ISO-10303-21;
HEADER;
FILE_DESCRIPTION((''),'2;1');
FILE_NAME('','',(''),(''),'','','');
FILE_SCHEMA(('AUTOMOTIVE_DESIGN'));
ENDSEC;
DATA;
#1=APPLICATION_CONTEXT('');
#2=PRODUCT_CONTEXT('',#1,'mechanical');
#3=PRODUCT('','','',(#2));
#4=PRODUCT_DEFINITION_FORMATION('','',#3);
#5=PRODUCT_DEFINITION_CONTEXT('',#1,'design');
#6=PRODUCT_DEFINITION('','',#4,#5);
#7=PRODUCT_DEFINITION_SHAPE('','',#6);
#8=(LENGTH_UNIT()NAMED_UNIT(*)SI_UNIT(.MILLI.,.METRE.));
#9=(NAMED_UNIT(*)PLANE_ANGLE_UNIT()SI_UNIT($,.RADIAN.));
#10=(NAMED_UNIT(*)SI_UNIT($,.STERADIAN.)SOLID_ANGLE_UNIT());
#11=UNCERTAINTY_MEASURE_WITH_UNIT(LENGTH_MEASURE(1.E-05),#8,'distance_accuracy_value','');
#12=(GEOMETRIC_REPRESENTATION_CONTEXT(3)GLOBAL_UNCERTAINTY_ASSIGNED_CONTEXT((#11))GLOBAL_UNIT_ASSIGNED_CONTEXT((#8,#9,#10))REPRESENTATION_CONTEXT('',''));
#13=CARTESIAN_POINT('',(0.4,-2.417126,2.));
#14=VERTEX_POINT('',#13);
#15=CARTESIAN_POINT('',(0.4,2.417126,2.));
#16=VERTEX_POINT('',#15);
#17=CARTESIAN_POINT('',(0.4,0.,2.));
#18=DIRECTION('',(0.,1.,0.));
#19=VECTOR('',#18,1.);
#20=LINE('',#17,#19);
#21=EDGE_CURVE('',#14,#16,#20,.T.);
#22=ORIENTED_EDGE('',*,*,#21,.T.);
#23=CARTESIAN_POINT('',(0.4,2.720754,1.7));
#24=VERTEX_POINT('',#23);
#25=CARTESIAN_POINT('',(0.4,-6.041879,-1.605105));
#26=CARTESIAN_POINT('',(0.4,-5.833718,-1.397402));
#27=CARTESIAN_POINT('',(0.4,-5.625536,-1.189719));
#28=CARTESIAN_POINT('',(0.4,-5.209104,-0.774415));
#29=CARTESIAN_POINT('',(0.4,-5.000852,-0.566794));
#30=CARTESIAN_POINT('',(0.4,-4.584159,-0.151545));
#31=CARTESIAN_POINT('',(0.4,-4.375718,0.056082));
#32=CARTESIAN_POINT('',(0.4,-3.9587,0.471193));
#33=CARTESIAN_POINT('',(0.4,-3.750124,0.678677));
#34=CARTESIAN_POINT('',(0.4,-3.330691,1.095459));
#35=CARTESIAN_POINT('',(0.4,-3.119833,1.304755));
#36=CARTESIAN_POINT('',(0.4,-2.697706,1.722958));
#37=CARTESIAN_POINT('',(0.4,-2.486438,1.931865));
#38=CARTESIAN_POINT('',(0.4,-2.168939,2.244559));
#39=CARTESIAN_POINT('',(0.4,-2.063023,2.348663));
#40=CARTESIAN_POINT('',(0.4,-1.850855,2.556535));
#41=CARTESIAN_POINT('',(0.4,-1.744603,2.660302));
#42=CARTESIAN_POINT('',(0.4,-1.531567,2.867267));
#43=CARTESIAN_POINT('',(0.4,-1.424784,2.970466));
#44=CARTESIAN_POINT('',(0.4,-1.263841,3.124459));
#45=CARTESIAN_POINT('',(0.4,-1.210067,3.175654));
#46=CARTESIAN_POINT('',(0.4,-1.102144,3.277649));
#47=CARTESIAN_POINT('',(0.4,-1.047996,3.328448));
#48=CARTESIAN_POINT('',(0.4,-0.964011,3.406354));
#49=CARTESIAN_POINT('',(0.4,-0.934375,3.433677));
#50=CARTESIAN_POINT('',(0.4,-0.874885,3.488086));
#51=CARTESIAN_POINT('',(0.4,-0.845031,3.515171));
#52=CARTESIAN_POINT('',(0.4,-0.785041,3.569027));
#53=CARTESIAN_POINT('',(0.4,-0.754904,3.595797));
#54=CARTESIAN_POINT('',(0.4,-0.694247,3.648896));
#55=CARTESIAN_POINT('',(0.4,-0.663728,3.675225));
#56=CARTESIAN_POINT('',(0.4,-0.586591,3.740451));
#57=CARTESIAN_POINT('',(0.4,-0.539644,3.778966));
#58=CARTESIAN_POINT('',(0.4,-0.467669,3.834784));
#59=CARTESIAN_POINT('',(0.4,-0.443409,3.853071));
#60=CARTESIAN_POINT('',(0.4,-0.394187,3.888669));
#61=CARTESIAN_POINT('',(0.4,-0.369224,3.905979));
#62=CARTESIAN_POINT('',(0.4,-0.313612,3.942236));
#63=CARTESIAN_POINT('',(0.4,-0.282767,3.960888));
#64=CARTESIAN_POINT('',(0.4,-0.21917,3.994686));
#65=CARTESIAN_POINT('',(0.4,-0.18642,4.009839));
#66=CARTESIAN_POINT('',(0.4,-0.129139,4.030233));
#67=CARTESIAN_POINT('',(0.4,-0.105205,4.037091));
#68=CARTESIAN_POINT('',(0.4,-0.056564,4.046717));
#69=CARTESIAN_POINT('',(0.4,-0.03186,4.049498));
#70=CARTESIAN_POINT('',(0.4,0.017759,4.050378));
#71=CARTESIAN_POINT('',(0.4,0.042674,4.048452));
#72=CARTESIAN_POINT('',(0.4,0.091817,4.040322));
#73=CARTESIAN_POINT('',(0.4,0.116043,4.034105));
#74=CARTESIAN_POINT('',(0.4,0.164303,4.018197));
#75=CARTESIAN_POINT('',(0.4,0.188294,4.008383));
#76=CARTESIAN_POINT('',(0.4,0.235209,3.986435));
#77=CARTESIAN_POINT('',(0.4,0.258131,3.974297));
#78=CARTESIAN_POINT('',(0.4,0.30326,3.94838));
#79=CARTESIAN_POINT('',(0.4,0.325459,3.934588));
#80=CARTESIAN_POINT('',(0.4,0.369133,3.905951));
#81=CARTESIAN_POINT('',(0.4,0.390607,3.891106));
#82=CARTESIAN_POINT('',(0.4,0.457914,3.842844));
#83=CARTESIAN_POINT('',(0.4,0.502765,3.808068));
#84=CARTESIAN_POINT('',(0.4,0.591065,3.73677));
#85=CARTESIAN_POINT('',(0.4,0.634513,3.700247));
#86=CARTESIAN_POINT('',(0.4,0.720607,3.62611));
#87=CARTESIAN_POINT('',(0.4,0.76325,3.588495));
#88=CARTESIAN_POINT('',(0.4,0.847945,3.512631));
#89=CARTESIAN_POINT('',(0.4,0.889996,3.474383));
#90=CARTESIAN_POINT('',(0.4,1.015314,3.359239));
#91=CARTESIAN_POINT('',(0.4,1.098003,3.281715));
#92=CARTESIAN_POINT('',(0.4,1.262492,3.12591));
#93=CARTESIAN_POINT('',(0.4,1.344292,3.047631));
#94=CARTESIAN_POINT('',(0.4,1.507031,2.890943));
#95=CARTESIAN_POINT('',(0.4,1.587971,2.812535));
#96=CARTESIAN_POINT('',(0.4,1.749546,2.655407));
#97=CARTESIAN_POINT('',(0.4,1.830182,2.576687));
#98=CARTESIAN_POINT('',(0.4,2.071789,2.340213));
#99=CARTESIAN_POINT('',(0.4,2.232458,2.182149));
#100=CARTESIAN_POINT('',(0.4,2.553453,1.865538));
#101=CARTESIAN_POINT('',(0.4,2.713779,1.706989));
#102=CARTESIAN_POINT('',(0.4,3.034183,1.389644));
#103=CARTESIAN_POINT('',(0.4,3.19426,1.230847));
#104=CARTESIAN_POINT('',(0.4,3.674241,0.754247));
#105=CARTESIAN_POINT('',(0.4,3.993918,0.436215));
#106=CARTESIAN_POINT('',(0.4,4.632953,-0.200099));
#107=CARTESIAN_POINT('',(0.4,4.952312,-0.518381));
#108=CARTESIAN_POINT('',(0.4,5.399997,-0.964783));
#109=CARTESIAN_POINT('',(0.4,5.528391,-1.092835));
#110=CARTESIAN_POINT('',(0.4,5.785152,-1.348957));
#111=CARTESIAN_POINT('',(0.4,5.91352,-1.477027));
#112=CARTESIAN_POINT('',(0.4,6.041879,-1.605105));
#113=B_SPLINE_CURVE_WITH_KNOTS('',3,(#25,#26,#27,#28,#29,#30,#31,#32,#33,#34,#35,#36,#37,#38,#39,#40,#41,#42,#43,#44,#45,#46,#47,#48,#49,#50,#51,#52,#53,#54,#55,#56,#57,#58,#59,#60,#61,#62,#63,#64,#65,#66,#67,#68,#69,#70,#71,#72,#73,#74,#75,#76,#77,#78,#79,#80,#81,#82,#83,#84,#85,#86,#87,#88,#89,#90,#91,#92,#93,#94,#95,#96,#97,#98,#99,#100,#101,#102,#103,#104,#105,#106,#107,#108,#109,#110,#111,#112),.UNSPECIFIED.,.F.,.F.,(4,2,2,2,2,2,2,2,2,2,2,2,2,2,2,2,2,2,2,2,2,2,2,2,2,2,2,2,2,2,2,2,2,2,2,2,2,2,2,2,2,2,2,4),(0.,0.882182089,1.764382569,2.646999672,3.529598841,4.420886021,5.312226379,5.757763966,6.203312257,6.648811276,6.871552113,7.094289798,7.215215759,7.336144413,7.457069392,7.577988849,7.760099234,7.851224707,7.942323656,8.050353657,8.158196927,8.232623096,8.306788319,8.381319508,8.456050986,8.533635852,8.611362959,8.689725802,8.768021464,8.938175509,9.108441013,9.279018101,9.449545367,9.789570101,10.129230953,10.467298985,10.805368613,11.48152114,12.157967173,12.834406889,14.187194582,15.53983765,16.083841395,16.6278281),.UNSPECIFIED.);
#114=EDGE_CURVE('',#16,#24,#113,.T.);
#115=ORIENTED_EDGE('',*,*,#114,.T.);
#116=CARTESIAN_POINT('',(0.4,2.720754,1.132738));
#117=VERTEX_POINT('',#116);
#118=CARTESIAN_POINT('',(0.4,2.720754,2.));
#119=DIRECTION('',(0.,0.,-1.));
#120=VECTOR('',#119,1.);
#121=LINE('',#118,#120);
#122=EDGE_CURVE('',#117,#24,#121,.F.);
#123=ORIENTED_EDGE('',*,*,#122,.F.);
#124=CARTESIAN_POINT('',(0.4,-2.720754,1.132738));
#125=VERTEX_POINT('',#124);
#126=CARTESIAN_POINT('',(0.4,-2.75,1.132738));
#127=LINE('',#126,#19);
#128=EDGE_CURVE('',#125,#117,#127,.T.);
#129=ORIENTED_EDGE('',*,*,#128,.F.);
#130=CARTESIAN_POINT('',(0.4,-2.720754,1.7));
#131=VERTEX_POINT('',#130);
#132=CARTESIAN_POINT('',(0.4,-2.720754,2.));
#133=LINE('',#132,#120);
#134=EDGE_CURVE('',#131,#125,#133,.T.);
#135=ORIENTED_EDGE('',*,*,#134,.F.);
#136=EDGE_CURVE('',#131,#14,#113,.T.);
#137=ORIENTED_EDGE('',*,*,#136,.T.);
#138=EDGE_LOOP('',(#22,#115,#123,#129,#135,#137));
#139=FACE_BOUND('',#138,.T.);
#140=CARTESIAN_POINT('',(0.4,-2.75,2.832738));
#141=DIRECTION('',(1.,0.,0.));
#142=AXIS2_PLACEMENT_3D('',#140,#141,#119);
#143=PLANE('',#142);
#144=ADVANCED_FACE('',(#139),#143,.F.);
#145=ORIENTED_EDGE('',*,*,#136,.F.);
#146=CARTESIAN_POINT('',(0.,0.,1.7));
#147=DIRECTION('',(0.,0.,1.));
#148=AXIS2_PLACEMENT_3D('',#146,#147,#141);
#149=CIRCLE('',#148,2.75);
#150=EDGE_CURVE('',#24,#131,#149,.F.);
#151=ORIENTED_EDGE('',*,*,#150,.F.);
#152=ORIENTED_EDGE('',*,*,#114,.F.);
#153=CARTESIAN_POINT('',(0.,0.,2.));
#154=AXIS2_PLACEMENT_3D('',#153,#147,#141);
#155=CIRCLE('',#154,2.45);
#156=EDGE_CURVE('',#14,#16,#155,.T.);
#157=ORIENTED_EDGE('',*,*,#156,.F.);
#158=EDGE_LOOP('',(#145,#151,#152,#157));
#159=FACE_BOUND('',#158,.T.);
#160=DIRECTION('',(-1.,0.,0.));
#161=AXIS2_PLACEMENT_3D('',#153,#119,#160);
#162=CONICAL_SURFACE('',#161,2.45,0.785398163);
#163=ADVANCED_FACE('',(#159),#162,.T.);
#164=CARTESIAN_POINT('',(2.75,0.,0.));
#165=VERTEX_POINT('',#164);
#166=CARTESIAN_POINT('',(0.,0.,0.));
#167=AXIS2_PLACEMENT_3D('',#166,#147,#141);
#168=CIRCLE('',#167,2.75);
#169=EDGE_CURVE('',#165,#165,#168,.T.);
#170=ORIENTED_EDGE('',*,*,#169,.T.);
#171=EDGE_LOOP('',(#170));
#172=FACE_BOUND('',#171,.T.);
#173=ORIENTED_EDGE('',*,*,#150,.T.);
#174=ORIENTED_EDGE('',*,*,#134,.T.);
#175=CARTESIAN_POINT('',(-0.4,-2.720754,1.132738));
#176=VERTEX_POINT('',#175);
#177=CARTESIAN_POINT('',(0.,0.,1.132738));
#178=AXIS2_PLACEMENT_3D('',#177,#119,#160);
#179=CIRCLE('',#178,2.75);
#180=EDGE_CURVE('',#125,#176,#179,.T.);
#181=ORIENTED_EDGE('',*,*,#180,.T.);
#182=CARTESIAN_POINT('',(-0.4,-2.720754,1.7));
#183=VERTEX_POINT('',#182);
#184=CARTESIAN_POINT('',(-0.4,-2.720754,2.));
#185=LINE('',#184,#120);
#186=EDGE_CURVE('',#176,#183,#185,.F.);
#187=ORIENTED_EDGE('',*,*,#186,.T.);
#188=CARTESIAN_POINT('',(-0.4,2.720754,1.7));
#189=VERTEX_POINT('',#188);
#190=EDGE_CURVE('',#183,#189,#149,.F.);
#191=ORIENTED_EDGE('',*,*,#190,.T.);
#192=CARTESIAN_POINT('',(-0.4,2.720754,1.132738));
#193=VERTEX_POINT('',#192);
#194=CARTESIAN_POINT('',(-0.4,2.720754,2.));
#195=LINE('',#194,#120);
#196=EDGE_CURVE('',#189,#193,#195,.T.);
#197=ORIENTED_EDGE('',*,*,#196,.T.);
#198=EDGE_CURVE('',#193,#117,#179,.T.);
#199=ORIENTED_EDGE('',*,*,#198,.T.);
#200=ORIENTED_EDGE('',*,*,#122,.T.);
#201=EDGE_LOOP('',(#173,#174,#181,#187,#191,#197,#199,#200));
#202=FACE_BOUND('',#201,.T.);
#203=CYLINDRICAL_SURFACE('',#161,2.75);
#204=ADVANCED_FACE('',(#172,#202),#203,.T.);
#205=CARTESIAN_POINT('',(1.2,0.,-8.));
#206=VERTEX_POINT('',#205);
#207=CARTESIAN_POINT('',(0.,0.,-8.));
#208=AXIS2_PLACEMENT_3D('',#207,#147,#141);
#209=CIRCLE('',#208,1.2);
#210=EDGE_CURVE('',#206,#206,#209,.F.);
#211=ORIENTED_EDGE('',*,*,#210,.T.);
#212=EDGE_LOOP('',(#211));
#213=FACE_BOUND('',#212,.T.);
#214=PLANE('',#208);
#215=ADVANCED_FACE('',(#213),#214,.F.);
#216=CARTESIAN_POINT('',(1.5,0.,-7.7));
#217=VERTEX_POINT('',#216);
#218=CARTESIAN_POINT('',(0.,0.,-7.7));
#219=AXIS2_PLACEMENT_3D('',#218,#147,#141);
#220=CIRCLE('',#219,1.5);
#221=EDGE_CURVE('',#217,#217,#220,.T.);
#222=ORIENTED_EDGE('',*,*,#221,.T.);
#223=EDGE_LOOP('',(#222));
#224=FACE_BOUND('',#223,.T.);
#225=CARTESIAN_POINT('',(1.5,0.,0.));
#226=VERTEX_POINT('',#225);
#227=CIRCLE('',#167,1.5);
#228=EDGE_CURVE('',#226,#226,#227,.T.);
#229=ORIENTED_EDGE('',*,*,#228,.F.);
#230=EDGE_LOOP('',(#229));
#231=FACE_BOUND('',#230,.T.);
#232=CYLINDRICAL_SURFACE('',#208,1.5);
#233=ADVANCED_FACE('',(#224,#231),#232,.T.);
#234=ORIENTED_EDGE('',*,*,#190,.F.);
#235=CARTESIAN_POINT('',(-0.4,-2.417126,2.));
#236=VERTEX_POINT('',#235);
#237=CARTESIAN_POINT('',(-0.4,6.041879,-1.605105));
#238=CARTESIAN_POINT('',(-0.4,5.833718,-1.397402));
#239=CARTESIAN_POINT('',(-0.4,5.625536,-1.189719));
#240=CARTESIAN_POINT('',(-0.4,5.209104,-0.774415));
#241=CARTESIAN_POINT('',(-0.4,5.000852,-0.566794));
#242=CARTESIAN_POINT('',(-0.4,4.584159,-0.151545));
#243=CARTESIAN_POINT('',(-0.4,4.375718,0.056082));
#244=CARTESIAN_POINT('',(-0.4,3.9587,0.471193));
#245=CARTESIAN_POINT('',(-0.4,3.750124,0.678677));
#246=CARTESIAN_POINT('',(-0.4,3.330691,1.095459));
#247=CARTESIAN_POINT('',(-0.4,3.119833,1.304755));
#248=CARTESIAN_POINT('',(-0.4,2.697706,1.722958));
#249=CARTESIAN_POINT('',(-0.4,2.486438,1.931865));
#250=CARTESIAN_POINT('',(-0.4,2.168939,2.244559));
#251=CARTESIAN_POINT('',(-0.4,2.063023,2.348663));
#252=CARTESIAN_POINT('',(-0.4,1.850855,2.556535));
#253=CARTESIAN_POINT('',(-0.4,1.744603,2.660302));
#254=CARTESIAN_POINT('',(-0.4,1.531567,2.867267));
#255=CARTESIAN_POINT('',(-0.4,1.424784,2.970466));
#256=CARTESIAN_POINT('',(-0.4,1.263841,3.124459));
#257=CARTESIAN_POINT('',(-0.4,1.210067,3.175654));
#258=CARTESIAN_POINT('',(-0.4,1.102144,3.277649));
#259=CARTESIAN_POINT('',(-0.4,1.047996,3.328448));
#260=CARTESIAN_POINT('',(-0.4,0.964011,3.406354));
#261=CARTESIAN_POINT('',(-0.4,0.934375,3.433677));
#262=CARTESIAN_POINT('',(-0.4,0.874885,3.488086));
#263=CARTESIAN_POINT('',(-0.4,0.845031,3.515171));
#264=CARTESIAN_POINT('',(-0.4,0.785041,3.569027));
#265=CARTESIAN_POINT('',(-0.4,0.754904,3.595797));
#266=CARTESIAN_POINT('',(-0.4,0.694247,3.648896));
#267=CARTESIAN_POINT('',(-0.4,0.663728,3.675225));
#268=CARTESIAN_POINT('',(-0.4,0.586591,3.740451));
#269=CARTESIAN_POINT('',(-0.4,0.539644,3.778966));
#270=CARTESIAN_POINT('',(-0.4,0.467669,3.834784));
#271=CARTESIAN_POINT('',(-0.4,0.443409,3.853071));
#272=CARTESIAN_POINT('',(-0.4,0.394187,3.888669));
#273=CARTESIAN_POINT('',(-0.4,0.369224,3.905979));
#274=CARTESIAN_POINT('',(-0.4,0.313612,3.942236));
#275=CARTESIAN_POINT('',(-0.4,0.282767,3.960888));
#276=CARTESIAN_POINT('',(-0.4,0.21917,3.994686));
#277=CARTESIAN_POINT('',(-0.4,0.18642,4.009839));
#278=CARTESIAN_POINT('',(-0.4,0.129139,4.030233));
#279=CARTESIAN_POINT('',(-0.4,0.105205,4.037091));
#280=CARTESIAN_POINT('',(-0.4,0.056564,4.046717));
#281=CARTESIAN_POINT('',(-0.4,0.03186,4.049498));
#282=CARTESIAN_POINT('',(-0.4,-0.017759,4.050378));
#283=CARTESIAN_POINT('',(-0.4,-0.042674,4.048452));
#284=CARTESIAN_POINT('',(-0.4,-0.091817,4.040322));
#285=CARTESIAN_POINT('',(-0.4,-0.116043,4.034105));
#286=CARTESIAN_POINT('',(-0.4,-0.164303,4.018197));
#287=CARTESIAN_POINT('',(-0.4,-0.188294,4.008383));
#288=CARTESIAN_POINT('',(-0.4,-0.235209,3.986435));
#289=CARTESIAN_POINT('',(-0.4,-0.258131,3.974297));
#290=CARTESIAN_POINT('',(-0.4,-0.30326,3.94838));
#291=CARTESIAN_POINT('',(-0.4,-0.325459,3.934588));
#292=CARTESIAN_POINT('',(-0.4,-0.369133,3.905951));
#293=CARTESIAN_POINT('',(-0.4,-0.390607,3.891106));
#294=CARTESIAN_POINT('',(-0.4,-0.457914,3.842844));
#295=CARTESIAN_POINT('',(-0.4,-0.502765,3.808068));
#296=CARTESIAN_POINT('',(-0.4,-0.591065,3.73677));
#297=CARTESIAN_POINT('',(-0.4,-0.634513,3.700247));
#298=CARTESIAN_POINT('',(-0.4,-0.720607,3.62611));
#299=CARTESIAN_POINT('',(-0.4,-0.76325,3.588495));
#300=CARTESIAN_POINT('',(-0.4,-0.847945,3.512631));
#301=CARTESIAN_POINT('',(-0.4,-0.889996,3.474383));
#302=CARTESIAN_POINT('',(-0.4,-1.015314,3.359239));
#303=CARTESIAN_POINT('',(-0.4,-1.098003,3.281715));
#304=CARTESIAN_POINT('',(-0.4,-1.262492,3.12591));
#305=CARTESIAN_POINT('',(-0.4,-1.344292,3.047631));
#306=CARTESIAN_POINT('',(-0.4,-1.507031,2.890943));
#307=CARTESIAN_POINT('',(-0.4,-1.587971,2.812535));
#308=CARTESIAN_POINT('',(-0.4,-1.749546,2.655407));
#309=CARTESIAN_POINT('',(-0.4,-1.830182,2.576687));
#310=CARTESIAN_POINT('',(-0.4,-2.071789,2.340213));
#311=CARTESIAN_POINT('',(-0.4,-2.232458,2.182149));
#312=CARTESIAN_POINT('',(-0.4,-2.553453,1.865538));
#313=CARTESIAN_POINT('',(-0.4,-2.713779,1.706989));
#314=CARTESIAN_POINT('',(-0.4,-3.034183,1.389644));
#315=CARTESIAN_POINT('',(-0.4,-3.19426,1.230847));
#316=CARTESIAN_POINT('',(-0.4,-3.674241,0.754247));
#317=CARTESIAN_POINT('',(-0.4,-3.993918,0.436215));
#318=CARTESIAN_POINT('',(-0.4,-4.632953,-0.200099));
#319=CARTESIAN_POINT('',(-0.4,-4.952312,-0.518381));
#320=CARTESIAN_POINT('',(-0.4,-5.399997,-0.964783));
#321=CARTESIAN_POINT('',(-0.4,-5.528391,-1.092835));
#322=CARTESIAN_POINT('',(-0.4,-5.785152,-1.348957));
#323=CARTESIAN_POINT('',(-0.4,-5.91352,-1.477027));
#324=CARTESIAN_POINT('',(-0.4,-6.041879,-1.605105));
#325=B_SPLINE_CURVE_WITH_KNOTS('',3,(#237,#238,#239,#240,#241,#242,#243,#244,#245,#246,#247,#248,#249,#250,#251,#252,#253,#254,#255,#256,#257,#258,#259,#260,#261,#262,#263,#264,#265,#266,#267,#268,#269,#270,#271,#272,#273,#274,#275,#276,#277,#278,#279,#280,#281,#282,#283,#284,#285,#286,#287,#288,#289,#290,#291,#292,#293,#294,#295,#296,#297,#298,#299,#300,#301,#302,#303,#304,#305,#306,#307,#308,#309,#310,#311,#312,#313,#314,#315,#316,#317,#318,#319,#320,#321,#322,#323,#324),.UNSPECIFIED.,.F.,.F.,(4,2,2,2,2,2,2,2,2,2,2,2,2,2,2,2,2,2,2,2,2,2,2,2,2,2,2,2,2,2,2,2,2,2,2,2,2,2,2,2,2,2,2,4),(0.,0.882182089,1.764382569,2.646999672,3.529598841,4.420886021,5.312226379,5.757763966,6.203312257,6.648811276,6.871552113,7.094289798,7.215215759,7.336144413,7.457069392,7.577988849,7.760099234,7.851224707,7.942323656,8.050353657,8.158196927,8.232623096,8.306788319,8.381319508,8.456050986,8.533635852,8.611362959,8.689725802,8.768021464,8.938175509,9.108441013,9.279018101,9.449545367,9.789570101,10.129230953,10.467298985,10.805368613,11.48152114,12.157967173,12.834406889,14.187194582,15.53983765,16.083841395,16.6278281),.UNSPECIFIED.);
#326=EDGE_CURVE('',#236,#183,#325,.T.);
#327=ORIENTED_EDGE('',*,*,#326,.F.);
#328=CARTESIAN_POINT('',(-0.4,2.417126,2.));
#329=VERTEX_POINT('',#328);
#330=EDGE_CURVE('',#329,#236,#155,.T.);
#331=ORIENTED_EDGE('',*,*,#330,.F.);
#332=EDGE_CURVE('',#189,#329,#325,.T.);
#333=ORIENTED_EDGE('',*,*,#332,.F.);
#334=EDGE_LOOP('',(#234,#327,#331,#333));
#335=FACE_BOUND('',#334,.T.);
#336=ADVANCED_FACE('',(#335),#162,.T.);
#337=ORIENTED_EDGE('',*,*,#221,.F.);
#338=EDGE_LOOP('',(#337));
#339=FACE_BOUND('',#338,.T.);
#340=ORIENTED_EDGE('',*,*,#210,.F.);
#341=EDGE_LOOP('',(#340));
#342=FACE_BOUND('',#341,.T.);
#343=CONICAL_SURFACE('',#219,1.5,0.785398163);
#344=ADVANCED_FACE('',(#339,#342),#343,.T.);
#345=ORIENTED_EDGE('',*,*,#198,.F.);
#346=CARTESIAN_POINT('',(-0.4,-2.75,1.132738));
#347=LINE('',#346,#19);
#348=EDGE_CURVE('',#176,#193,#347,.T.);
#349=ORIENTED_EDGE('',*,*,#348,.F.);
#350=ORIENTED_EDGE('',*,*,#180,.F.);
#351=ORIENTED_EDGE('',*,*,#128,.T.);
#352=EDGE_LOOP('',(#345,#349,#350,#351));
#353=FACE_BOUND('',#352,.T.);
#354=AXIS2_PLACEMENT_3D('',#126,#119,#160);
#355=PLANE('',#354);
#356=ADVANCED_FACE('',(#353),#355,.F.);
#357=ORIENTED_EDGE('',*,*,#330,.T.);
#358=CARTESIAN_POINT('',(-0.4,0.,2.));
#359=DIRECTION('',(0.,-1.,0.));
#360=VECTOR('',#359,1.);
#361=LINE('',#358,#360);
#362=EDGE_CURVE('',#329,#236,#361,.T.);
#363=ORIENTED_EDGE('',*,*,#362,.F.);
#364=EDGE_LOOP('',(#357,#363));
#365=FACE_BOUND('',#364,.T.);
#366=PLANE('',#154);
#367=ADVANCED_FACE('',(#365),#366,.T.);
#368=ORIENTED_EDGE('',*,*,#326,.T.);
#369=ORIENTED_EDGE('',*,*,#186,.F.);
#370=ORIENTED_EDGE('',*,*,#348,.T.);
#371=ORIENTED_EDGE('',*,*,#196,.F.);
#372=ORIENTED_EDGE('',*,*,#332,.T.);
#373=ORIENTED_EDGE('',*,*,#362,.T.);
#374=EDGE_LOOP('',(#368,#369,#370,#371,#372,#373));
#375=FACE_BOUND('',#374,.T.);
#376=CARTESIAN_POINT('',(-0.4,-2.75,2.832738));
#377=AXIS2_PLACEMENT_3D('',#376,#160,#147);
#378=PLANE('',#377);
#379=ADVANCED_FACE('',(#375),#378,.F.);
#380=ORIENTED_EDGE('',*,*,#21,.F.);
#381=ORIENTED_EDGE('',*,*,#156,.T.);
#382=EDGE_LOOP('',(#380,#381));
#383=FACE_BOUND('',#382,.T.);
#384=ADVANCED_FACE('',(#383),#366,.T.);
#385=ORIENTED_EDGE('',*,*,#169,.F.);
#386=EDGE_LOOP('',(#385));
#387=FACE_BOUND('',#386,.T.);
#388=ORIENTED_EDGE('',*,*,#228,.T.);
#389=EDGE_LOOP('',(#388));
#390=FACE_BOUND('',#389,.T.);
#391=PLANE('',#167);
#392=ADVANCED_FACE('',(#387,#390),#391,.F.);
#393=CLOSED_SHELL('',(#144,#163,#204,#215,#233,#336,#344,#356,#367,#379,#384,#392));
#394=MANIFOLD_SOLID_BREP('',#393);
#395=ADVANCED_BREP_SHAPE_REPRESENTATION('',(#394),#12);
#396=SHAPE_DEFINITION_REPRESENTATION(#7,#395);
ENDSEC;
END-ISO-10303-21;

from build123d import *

# Parameters (mm, degrees)
SKETCH1_R               = 1.5
BOSS_EXTRUDE1_DEPTH     = 8
SKETCH2_R               = 2.75
BOSS_EXTRUDE2_DEPTH     = 2
CHAMFER1_SIZE           = 0.3
CUT_EXTRUDE1_DEPTH      = 9.895223437
CUT_EXTRUDE1_DEPTH_BACK = 9.895223437
SKETCH3_W               = 0.8
SKETCH3_H               = 1.7


with BuildPart() as part:
    # Sketch1 → Boss-Extrude1 (new body)
    with BuildSketch(Plane.XY):
        Circle(SKETCH1_R)
    extrude(amount=-BOSS_EXTRUDE1_DEPTH)

    # Sketch2 → Boss-Extrude2 (add)
    with BuildSketch(Plane.XY):
        Circle(SKETCH2_R)
    extrude(amount=BOSS_EXTRUDE2_DEPTH)

    # Chamfer1
    chamfer1_edges = [part.edges().sort_by_distance(p)[0] for p in [
        (-1.5, 0, -8),
        (-2.75, 0, 2),
    ]]
    chamfer(chamfer1_edges, length=CHAMFER1_SIZE)

    # Sketch3 → Cut-Extrude1 (cut, two sides: drawn at the far end of the back side and taken through both)
    with BuildSketch(Plane(origin=(0, 0, 0), x_dir=(1, 0, 0), z_dir=(0, 1, 0)).offset(-CUT_EXTRUDE1_DEPTH_BACK)):
        with Locations((0, -1.982738086)):
            Rectangle(SKETCH3_W, SKETCH3_H)
    extrude(amount=CUT_EXTRUDE1_DEPTH + CUT_EXTRUDE1_DEPTH_BACK, mode=Mode.SUBTRACT)


solid = part.part
